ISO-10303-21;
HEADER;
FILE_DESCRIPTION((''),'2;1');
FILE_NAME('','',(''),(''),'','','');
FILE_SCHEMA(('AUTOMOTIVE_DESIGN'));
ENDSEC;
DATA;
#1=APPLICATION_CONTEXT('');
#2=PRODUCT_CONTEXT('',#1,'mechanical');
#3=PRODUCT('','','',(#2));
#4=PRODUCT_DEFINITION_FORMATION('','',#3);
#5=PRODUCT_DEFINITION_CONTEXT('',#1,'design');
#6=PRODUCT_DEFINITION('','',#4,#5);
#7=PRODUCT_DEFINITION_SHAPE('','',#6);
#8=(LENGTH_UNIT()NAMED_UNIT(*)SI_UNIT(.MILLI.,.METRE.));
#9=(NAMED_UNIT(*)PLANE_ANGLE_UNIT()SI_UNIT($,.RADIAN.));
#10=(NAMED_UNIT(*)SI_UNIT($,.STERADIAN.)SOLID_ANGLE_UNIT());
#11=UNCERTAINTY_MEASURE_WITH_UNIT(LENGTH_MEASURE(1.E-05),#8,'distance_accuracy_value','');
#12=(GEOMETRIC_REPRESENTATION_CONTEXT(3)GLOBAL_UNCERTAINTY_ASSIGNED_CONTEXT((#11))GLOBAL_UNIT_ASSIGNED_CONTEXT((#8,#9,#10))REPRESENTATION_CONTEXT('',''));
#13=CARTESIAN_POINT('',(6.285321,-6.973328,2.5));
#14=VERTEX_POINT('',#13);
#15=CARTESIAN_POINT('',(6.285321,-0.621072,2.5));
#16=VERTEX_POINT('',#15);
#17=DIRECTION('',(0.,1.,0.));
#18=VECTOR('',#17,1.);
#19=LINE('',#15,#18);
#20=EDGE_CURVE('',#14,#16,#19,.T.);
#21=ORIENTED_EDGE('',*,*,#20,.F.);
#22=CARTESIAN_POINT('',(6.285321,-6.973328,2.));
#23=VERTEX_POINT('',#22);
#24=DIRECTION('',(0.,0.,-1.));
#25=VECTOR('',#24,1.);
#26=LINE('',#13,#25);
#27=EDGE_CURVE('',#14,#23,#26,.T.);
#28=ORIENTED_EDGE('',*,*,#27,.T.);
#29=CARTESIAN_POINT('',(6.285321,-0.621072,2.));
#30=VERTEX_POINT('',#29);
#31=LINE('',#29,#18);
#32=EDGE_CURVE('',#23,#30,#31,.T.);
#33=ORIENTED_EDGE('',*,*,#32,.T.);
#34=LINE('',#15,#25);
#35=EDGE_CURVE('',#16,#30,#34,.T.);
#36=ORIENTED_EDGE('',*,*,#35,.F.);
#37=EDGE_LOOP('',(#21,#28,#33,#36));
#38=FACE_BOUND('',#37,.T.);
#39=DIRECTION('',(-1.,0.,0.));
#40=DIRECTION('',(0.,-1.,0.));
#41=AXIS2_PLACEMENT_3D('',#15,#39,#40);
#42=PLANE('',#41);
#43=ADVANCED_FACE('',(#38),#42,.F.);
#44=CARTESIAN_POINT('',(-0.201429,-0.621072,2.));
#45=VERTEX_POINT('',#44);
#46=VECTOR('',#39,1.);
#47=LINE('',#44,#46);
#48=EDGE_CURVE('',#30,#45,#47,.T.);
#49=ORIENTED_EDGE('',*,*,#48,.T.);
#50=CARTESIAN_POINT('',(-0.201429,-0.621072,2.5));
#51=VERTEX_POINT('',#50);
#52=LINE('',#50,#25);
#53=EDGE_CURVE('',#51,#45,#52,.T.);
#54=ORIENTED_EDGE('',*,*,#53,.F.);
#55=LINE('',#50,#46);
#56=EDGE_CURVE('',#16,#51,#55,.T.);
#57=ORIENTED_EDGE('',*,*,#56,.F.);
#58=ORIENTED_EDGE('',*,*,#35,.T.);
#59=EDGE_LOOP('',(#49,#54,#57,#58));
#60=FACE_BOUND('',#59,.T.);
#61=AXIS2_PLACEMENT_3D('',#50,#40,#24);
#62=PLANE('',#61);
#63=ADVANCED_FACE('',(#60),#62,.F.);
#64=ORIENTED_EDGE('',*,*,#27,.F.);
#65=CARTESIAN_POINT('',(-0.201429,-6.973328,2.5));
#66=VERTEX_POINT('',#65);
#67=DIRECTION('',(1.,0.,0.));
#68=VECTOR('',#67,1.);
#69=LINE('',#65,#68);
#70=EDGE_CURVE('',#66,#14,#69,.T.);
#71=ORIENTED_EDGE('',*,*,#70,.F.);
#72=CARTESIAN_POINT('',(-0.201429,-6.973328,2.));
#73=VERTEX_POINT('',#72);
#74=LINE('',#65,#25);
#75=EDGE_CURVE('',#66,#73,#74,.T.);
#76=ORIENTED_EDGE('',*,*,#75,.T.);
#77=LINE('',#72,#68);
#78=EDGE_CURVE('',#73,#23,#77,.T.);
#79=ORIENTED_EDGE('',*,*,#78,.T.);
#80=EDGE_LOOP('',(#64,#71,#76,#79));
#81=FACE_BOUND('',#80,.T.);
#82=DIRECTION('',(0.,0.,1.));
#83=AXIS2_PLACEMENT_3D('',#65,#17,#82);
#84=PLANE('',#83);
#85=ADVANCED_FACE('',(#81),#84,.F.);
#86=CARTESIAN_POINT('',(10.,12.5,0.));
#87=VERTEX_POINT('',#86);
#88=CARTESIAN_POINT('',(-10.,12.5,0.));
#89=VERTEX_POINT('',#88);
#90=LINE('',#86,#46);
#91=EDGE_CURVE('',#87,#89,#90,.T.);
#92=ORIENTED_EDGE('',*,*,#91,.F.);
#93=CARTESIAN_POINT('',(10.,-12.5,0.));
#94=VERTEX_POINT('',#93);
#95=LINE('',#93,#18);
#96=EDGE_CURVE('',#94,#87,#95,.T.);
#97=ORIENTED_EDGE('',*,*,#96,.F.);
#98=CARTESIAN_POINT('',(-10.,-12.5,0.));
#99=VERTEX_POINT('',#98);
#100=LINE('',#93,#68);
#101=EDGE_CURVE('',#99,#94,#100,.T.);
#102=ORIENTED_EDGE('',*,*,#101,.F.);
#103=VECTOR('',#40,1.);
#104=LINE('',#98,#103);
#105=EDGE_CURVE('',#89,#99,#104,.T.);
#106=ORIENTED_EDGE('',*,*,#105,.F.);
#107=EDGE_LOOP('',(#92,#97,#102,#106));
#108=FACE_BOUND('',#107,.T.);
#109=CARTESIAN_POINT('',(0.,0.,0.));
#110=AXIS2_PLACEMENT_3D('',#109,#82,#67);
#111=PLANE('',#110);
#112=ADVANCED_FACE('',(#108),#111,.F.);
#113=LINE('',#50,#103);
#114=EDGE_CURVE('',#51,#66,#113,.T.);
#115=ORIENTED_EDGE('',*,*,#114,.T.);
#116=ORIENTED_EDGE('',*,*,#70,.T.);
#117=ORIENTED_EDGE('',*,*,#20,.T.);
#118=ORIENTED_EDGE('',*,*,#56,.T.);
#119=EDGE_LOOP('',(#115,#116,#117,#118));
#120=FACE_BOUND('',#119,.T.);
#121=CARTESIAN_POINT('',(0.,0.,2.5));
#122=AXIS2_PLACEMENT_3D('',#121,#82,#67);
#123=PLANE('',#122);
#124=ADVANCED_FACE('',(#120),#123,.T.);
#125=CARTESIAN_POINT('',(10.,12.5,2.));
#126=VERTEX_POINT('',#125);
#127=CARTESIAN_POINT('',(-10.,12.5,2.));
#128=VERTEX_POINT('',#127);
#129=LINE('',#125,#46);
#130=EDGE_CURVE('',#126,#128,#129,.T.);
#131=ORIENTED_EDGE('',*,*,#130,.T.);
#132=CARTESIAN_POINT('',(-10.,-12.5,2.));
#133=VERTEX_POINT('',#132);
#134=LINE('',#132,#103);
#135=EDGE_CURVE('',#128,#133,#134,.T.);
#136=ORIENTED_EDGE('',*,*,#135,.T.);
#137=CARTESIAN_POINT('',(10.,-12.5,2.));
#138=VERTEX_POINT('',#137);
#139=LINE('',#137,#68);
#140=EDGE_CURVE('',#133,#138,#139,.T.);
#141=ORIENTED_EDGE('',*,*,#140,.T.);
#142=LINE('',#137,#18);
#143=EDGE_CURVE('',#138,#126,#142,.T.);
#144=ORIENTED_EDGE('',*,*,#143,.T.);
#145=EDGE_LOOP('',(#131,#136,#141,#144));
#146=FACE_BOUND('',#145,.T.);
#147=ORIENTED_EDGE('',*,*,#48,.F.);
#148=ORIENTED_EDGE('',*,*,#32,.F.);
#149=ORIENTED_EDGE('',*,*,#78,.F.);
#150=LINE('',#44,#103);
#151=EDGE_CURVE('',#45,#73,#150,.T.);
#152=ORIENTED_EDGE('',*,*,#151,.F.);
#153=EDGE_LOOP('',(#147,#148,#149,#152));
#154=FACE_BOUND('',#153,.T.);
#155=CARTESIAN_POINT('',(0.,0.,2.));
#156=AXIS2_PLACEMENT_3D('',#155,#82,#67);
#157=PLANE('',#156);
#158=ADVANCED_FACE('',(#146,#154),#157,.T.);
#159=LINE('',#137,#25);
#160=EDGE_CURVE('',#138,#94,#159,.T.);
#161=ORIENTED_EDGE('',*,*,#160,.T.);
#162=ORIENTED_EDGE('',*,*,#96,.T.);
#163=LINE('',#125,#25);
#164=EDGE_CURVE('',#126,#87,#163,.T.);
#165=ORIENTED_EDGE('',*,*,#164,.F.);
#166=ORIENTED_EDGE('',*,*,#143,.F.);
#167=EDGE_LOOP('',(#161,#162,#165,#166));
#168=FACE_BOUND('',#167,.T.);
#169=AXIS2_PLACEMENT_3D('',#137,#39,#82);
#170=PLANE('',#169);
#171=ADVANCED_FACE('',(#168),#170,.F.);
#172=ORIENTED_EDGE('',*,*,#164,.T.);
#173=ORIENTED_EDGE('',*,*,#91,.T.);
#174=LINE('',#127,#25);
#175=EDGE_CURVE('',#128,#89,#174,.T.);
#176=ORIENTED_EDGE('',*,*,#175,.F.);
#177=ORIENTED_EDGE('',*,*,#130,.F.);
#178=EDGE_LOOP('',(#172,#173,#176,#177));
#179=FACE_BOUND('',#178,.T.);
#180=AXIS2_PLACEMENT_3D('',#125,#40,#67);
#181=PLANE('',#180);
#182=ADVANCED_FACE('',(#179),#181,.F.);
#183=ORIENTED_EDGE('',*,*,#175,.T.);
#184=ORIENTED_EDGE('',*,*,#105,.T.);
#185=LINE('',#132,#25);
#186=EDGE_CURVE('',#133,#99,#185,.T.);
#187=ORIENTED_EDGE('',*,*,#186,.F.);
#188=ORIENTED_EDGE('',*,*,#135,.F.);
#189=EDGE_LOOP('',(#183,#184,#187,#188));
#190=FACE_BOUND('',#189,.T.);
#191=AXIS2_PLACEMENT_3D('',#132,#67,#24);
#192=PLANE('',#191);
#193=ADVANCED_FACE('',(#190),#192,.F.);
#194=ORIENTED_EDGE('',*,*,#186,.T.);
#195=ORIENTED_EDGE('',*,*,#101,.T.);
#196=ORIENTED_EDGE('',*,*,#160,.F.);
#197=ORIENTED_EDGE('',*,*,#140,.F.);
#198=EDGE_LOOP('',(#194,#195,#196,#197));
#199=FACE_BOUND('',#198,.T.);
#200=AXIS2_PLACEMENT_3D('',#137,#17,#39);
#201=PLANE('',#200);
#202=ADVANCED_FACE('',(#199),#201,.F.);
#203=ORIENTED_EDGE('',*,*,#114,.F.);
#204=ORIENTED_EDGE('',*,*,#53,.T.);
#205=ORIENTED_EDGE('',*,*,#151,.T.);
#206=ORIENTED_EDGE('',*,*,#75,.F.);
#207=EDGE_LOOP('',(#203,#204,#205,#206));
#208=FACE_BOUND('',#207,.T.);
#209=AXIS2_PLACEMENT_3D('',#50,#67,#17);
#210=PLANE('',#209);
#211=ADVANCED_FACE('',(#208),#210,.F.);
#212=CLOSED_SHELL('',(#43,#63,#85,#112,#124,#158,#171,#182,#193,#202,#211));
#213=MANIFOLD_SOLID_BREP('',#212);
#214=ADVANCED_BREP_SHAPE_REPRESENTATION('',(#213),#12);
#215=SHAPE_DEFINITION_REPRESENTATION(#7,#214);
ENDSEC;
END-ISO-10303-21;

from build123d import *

# Parameters (mm, degrees)
SKETCH_1_W      = 20
SKETCH_1_H      = 25
EXTRUDE_1_DEPTH = 2
SKETCH_2_W      = 6.486749525
SKETCH_2_H      = 6.352255466
EXTRUDE_2_DEPTH = 0.5


with BuildPart() as part:
    # 草图1 → 凸台-拉伸1 (new body)
    with BuildSketch(Plane.XY):
        Rectangle(SKETCH_1_W, SKETCH_1_H)
    extrude(amount=EXTRUDE_1_DEPTH)

    # 草图2 → 凸台-拉伸2 (add)
    with BuildSketch(Plane.XY.offset(2)):
        with Locations((3.041945876, -3.797200132)):
            Rectangle(SKETCH_2_W, SKETCH_2_H)
    extrude(amount=EXTRUDE_2_DEPTH)


solid = part.part
